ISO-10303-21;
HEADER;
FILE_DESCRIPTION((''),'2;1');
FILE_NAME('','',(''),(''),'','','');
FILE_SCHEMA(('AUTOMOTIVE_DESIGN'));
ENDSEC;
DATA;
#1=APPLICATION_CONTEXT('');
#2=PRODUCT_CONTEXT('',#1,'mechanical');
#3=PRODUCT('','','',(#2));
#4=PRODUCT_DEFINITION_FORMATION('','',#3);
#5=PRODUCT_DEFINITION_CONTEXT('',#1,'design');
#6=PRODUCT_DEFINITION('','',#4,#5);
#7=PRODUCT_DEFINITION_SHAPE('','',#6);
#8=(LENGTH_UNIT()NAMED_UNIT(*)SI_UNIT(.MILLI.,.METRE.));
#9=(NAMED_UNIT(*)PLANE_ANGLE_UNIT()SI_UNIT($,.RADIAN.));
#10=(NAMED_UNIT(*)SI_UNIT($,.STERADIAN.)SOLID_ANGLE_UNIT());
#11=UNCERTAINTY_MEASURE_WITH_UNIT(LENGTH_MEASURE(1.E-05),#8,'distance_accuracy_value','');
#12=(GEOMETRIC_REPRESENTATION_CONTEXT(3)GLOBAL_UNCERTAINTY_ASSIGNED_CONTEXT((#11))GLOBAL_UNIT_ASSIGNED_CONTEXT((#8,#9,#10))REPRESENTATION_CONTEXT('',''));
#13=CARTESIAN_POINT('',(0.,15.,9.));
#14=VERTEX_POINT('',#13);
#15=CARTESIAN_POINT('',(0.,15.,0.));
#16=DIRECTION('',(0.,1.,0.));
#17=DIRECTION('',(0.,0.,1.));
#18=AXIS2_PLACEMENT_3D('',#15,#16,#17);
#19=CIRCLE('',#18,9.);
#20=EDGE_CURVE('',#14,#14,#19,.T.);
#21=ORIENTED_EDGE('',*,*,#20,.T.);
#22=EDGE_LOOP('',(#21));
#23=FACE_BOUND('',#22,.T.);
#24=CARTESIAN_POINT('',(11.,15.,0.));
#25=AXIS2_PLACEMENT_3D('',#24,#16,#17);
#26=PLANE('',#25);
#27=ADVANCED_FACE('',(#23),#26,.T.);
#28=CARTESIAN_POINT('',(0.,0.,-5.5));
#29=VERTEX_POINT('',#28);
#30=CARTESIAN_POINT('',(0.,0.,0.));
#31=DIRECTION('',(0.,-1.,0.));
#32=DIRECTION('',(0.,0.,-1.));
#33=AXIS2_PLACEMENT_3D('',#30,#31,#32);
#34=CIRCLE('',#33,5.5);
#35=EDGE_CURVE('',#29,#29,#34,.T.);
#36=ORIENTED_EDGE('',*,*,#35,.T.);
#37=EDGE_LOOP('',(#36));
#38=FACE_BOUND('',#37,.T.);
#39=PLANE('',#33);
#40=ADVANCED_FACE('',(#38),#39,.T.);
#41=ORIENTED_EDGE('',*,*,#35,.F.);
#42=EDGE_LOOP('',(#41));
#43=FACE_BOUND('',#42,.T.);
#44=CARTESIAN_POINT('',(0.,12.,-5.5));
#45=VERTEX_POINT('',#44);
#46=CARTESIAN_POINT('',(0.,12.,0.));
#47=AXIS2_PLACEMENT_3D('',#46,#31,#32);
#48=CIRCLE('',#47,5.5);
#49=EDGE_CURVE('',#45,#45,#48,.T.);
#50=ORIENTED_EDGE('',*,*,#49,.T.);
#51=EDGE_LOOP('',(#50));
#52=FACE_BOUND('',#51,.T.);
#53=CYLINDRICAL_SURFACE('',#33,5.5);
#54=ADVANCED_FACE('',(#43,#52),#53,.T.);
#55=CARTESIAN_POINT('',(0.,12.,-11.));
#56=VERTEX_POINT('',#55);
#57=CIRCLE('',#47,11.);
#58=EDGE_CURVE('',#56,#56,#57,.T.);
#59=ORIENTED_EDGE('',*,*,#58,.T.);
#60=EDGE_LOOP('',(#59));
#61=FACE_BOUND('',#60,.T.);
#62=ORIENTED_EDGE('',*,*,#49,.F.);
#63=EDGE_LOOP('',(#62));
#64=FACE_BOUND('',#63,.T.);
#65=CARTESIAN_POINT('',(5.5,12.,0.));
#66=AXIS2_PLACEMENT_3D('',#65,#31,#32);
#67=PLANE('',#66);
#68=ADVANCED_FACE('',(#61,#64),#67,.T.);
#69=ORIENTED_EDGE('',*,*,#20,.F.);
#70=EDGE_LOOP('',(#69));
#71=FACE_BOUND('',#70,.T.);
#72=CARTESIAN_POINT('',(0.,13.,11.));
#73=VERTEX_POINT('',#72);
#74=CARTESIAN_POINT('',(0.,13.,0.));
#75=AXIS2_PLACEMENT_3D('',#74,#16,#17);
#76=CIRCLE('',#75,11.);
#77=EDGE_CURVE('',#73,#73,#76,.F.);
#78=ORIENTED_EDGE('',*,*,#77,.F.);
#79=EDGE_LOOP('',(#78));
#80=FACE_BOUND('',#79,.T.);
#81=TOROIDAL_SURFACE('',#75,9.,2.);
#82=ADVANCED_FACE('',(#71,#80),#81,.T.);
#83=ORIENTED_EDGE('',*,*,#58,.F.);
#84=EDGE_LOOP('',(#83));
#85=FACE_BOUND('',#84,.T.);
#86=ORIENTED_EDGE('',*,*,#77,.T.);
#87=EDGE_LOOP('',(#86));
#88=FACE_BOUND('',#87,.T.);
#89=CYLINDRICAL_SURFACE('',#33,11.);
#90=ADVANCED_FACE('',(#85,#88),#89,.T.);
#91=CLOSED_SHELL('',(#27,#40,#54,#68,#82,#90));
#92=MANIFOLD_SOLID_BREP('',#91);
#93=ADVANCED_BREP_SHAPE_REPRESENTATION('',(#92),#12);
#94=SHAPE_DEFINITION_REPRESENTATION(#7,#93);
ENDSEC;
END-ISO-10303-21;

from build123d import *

# Parameters (mm, degrees)
FILLET1_R = 2


with BuildPart() as part:
    # Sketch1 → Revolve1 (revolve)
    with BuildSketch(Plane.XY):
        Polygon((0, 0), (5.5, 0), (5.5, 12), (11, 12), (11, 15), (0, 15), align=None)
    revolve(axis=Axis((0, 0, 0), (0, 1, 0)))

    # Fillet1
    fillet1_edges = [part.edges().sort_by_distance(p)[0] for p in [
        (-11, 15, 0),
    ]]
    fillet(fillet1_edges, radius=FILLET1_R)


solid = part.part
